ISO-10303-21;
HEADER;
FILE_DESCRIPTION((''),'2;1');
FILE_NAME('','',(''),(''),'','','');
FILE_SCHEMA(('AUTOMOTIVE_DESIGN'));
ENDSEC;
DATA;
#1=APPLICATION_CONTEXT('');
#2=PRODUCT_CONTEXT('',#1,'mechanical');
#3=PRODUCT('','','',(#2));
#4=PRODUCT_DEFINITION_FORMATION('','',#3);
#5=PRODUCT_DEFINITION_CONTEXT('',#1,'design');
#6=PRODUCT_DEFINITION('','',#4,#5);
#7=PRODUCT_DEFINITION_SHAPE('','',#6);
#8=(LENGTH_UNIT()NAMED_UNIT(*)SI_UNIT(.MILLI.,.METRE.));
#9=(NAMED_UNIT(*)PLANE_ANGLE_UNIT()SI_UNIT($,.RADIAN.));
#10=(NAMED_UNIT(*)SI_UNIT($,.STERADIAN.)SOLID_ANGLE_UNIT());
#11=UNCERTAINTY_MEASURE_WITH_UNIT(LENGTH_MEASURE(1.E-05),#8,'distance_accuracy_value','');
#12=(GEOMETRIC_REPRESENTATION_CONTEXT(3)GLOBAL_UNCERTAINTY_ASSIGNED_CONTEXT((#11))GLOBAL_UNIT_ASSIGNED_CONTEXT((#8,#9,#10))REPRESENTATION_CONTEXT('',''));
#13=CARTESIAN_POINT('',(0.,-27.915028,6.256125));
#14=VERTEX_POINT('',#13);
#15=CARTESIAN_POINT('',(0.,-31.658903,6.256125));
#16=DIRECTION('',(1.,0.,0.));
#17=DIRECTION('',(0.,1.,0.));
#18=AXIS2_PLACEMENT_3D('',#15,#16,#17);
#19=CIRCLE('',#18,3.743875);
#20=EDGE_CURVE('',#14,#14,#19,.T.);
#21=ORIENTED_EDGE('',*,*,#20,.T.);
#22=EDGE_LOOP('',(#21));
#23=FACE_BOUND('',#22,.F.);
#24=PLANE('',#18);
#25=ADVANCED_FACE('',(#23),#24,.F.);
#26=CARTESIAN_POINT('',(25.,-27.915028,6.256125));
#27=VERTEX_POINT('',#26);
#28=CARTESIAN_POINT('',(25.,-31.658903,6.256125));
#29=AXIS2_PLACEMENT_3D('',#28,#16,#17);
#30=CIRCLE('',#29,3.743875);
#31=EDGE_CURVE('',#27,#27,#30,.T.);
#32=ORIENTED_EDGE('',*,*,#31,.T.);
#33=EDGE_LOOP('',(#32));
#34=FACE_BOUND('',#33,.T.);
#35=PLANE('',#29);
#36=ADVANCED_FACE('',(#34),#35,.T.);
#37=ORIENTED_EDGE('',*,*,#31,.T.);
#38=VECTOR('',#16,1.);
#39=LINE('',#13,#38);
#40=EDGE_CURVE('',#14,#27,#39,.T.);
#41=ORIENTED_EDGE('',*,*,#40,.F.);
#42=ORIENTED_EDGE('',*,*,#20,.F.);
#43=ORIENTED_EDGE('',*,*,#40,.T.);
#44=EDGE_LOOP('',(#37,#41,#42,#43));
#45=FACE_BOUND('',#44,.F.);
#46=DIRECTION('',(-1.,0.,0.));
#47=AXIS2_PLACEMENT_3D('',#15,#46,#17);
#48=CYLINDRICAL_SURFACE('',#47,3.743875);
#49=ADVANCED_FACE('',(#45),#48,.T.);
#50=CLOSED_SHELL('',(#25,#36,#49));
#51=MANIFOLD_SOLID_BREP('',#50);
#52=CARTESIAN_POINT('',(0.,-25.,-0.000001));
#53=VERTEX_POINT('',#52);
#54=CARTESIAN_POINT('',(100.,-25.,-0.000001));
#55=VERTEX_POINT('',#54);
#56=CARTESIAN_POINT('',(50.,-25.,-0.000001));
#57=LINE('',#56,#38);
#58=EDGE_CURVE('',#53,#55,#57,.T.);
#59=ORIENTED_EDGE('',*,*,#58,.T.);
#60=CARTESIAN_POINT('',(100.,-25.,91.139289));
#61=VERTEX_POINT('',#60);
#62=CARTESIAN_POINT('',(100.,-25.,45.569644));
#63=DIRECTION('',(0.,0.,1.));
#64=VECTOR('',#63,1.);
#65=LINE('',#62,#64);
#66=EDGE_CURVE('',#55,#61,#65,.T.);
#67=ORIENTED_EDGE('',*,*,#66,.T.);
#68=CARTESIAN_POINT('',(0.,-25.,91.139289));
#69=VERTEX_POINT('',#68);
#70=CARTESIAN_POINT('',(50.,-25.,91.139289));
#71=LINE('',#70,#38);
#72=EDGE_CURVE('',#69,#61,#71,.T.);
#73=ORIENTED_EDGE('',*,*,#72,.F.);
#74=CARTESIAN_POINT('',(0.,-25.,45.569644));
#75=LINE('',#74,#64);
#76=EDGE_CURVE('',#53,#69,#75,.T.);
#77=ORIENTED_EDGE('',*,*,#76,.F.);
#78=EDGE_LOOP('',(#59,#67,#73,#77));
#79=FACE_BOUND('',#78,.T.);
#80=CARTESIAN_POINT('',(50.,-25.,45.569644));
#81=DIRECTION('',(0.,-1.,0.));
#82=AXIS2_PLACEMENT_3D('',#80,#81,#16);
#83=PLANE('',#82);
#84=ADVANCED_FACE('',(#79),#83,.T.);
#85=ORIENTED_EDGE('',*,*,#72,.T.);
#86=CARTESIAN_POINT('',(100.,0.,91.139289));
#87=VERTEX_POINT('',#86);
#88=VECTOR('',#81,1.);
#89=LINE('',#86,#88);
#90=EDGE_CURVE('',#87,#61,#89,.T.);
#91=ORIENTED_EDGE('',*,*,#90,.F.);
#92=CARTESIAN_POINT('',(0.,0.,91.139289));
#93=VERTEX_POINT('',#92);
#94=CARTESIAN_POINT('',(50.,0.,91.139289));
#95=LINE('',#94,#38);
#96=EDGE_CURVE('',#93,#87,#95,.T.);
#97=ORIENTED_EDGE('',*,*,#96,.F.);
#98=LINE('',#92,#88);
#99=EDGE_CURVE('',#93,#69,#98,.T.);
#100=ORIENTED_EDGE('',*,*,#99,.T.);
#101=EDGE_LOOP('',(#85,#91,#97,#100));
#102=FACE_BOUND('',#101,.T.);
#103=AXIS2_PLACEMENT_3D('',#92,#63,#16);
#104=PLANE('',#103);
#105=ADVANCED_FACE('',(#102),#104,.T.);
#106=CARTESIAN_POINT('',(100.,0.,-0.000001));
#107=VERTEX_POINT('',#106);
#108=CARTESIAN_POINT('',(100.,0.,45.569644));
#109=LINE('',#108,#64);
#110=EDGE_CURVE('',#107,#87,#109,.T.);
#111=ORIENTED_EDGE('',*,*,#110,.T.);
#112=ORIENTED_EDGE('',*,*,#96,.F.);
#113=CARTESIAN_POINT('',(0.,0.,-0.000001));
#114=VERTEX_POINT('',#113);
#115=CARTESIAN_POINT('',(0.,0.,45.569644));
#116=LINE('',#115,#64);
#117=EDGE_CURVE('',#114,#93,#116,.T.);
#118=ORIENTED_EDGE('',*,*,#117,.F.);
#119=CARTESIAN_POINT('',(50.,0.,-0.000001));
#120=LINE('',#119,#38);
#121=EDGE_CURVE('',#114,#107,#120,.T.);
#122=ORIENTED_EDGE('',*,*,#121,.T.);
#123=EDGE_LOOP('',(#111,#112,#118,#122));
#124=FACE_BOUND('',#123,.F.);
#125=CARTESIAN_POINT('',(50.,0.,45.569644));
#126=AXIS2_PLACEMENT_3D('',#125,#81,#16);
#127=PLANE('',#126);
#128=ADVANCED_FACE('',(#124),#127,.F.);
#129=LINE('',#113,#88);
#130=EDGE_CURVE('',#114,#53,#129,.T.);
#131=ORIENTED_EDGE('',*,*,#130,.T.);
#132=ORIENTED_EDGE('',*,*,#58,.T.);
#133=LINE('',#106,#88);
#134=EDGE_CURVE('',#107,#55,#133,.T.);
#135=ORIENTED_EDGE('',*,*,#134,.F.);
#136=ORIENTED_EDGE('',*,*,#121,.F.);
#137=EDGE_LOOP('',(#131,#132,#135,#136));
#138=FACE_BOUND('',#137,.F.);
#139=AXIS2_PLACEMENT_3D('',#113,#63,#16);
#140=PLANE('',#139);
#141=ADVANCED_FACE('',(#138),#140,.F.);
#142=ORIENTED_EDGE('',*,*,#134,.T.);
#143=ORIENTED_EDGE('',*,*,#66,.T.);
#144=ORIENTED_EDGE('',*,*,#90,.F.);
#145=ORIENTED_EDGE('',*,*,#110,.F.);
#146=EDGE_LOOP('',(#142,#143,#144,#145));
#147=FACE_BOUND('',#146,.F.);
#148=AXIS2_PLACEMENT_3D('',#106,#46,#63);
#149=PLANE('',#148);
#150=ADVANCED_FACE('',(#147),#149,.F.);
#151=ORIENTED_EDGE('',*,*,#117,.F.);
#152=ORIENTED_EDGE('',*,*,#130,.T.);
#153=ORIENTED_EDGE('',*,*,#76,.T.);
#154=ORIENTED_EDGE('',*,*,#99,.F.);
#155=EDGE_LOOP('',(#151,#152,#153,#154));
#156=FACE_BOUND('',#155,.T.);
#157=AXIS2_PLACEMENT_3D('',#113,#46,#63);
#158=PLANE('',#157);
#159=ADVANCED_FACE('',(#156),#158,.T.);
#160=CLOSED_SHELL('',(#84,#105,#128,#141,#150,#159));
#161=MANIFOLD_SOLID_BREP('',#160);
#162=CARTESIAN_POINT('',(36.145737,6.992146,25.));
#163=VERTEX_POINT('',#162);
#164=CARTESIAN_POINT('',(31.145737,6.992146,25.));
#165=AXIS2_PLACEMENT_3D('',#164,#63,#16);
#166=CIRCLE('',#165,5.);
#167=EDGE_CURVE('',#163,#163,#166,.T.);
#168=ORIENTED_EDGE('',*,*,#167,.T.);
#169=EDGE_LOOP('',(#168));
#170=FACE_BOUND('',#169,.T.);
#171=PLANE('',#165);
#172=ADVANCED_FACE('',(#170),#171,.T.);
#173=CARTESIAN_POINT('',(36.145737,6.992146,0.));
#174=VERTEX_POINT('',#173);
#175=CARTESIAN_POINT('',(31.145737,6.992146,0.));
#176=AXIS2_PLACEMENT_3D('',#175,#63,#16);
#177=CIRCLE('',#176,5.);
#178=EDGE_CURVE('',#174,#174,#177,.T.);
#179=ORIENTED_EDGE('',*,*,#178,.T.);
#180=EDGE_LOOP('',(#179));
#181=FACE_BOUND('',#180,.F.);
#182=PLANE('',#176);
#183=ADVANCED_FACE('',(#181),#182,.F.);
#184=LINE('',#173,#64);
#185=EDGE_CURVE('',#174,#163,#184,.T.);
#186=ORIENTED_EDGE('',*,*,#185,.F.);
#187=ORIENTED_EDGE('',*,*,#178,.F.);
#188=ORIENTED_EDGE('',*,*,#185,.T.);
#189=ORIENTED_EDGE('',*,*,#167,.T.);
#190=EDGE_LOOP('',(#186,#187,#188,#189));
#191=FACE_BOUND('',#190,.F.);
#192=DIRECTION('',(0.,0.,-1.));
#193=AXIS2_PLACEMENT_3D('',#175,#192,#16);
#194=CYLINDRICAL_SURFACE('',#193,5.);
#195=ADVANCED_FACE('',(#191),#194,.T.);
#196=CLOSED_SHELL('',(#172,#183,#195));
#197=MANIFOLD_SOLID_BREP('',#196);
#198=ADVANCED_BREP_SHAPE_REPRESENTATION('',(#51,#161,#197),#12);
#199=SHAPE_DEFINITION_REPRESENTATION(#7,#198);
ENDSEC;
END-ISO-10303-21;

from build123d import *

# Parameters (mm, degrees)
F0_W     = 100
F0_H     = 91.139289
F1_DEPTH = 25
F2_R     = 5
F3_DEPTH = 25
F4_R     = 3.743875
F5_DEPTH = 25


with BuildPart() as f1:
    # F0 (on Front) → F1 (new body)
    with BuildSketch(Plane.XZ):
        with Locations((50, 45.569644)):
            Rectangle(F0_W, F0_H)
    extrude(amount=F1_DEPTH)


with BuildPart() as f3:
    # F2 (on Top) → F3 (new body)
    with BuildSketch(Plane.XY):
        with Locations((31.145737, 6.992146)):
            Circle(F2_R)
    extrude(amount=F3_DEPTH)


with BuildPart() as f5:
    # F4 (on Right) → F5 (new body)
    with BuildSketch(Plane.YZ):
        with Locations((-31.658903, 6.256125)):
            Circle(F4_R)
    extrude(amount=F5_DEPTH)


solid = Compound([f1.part, f3.part, f5.part])
